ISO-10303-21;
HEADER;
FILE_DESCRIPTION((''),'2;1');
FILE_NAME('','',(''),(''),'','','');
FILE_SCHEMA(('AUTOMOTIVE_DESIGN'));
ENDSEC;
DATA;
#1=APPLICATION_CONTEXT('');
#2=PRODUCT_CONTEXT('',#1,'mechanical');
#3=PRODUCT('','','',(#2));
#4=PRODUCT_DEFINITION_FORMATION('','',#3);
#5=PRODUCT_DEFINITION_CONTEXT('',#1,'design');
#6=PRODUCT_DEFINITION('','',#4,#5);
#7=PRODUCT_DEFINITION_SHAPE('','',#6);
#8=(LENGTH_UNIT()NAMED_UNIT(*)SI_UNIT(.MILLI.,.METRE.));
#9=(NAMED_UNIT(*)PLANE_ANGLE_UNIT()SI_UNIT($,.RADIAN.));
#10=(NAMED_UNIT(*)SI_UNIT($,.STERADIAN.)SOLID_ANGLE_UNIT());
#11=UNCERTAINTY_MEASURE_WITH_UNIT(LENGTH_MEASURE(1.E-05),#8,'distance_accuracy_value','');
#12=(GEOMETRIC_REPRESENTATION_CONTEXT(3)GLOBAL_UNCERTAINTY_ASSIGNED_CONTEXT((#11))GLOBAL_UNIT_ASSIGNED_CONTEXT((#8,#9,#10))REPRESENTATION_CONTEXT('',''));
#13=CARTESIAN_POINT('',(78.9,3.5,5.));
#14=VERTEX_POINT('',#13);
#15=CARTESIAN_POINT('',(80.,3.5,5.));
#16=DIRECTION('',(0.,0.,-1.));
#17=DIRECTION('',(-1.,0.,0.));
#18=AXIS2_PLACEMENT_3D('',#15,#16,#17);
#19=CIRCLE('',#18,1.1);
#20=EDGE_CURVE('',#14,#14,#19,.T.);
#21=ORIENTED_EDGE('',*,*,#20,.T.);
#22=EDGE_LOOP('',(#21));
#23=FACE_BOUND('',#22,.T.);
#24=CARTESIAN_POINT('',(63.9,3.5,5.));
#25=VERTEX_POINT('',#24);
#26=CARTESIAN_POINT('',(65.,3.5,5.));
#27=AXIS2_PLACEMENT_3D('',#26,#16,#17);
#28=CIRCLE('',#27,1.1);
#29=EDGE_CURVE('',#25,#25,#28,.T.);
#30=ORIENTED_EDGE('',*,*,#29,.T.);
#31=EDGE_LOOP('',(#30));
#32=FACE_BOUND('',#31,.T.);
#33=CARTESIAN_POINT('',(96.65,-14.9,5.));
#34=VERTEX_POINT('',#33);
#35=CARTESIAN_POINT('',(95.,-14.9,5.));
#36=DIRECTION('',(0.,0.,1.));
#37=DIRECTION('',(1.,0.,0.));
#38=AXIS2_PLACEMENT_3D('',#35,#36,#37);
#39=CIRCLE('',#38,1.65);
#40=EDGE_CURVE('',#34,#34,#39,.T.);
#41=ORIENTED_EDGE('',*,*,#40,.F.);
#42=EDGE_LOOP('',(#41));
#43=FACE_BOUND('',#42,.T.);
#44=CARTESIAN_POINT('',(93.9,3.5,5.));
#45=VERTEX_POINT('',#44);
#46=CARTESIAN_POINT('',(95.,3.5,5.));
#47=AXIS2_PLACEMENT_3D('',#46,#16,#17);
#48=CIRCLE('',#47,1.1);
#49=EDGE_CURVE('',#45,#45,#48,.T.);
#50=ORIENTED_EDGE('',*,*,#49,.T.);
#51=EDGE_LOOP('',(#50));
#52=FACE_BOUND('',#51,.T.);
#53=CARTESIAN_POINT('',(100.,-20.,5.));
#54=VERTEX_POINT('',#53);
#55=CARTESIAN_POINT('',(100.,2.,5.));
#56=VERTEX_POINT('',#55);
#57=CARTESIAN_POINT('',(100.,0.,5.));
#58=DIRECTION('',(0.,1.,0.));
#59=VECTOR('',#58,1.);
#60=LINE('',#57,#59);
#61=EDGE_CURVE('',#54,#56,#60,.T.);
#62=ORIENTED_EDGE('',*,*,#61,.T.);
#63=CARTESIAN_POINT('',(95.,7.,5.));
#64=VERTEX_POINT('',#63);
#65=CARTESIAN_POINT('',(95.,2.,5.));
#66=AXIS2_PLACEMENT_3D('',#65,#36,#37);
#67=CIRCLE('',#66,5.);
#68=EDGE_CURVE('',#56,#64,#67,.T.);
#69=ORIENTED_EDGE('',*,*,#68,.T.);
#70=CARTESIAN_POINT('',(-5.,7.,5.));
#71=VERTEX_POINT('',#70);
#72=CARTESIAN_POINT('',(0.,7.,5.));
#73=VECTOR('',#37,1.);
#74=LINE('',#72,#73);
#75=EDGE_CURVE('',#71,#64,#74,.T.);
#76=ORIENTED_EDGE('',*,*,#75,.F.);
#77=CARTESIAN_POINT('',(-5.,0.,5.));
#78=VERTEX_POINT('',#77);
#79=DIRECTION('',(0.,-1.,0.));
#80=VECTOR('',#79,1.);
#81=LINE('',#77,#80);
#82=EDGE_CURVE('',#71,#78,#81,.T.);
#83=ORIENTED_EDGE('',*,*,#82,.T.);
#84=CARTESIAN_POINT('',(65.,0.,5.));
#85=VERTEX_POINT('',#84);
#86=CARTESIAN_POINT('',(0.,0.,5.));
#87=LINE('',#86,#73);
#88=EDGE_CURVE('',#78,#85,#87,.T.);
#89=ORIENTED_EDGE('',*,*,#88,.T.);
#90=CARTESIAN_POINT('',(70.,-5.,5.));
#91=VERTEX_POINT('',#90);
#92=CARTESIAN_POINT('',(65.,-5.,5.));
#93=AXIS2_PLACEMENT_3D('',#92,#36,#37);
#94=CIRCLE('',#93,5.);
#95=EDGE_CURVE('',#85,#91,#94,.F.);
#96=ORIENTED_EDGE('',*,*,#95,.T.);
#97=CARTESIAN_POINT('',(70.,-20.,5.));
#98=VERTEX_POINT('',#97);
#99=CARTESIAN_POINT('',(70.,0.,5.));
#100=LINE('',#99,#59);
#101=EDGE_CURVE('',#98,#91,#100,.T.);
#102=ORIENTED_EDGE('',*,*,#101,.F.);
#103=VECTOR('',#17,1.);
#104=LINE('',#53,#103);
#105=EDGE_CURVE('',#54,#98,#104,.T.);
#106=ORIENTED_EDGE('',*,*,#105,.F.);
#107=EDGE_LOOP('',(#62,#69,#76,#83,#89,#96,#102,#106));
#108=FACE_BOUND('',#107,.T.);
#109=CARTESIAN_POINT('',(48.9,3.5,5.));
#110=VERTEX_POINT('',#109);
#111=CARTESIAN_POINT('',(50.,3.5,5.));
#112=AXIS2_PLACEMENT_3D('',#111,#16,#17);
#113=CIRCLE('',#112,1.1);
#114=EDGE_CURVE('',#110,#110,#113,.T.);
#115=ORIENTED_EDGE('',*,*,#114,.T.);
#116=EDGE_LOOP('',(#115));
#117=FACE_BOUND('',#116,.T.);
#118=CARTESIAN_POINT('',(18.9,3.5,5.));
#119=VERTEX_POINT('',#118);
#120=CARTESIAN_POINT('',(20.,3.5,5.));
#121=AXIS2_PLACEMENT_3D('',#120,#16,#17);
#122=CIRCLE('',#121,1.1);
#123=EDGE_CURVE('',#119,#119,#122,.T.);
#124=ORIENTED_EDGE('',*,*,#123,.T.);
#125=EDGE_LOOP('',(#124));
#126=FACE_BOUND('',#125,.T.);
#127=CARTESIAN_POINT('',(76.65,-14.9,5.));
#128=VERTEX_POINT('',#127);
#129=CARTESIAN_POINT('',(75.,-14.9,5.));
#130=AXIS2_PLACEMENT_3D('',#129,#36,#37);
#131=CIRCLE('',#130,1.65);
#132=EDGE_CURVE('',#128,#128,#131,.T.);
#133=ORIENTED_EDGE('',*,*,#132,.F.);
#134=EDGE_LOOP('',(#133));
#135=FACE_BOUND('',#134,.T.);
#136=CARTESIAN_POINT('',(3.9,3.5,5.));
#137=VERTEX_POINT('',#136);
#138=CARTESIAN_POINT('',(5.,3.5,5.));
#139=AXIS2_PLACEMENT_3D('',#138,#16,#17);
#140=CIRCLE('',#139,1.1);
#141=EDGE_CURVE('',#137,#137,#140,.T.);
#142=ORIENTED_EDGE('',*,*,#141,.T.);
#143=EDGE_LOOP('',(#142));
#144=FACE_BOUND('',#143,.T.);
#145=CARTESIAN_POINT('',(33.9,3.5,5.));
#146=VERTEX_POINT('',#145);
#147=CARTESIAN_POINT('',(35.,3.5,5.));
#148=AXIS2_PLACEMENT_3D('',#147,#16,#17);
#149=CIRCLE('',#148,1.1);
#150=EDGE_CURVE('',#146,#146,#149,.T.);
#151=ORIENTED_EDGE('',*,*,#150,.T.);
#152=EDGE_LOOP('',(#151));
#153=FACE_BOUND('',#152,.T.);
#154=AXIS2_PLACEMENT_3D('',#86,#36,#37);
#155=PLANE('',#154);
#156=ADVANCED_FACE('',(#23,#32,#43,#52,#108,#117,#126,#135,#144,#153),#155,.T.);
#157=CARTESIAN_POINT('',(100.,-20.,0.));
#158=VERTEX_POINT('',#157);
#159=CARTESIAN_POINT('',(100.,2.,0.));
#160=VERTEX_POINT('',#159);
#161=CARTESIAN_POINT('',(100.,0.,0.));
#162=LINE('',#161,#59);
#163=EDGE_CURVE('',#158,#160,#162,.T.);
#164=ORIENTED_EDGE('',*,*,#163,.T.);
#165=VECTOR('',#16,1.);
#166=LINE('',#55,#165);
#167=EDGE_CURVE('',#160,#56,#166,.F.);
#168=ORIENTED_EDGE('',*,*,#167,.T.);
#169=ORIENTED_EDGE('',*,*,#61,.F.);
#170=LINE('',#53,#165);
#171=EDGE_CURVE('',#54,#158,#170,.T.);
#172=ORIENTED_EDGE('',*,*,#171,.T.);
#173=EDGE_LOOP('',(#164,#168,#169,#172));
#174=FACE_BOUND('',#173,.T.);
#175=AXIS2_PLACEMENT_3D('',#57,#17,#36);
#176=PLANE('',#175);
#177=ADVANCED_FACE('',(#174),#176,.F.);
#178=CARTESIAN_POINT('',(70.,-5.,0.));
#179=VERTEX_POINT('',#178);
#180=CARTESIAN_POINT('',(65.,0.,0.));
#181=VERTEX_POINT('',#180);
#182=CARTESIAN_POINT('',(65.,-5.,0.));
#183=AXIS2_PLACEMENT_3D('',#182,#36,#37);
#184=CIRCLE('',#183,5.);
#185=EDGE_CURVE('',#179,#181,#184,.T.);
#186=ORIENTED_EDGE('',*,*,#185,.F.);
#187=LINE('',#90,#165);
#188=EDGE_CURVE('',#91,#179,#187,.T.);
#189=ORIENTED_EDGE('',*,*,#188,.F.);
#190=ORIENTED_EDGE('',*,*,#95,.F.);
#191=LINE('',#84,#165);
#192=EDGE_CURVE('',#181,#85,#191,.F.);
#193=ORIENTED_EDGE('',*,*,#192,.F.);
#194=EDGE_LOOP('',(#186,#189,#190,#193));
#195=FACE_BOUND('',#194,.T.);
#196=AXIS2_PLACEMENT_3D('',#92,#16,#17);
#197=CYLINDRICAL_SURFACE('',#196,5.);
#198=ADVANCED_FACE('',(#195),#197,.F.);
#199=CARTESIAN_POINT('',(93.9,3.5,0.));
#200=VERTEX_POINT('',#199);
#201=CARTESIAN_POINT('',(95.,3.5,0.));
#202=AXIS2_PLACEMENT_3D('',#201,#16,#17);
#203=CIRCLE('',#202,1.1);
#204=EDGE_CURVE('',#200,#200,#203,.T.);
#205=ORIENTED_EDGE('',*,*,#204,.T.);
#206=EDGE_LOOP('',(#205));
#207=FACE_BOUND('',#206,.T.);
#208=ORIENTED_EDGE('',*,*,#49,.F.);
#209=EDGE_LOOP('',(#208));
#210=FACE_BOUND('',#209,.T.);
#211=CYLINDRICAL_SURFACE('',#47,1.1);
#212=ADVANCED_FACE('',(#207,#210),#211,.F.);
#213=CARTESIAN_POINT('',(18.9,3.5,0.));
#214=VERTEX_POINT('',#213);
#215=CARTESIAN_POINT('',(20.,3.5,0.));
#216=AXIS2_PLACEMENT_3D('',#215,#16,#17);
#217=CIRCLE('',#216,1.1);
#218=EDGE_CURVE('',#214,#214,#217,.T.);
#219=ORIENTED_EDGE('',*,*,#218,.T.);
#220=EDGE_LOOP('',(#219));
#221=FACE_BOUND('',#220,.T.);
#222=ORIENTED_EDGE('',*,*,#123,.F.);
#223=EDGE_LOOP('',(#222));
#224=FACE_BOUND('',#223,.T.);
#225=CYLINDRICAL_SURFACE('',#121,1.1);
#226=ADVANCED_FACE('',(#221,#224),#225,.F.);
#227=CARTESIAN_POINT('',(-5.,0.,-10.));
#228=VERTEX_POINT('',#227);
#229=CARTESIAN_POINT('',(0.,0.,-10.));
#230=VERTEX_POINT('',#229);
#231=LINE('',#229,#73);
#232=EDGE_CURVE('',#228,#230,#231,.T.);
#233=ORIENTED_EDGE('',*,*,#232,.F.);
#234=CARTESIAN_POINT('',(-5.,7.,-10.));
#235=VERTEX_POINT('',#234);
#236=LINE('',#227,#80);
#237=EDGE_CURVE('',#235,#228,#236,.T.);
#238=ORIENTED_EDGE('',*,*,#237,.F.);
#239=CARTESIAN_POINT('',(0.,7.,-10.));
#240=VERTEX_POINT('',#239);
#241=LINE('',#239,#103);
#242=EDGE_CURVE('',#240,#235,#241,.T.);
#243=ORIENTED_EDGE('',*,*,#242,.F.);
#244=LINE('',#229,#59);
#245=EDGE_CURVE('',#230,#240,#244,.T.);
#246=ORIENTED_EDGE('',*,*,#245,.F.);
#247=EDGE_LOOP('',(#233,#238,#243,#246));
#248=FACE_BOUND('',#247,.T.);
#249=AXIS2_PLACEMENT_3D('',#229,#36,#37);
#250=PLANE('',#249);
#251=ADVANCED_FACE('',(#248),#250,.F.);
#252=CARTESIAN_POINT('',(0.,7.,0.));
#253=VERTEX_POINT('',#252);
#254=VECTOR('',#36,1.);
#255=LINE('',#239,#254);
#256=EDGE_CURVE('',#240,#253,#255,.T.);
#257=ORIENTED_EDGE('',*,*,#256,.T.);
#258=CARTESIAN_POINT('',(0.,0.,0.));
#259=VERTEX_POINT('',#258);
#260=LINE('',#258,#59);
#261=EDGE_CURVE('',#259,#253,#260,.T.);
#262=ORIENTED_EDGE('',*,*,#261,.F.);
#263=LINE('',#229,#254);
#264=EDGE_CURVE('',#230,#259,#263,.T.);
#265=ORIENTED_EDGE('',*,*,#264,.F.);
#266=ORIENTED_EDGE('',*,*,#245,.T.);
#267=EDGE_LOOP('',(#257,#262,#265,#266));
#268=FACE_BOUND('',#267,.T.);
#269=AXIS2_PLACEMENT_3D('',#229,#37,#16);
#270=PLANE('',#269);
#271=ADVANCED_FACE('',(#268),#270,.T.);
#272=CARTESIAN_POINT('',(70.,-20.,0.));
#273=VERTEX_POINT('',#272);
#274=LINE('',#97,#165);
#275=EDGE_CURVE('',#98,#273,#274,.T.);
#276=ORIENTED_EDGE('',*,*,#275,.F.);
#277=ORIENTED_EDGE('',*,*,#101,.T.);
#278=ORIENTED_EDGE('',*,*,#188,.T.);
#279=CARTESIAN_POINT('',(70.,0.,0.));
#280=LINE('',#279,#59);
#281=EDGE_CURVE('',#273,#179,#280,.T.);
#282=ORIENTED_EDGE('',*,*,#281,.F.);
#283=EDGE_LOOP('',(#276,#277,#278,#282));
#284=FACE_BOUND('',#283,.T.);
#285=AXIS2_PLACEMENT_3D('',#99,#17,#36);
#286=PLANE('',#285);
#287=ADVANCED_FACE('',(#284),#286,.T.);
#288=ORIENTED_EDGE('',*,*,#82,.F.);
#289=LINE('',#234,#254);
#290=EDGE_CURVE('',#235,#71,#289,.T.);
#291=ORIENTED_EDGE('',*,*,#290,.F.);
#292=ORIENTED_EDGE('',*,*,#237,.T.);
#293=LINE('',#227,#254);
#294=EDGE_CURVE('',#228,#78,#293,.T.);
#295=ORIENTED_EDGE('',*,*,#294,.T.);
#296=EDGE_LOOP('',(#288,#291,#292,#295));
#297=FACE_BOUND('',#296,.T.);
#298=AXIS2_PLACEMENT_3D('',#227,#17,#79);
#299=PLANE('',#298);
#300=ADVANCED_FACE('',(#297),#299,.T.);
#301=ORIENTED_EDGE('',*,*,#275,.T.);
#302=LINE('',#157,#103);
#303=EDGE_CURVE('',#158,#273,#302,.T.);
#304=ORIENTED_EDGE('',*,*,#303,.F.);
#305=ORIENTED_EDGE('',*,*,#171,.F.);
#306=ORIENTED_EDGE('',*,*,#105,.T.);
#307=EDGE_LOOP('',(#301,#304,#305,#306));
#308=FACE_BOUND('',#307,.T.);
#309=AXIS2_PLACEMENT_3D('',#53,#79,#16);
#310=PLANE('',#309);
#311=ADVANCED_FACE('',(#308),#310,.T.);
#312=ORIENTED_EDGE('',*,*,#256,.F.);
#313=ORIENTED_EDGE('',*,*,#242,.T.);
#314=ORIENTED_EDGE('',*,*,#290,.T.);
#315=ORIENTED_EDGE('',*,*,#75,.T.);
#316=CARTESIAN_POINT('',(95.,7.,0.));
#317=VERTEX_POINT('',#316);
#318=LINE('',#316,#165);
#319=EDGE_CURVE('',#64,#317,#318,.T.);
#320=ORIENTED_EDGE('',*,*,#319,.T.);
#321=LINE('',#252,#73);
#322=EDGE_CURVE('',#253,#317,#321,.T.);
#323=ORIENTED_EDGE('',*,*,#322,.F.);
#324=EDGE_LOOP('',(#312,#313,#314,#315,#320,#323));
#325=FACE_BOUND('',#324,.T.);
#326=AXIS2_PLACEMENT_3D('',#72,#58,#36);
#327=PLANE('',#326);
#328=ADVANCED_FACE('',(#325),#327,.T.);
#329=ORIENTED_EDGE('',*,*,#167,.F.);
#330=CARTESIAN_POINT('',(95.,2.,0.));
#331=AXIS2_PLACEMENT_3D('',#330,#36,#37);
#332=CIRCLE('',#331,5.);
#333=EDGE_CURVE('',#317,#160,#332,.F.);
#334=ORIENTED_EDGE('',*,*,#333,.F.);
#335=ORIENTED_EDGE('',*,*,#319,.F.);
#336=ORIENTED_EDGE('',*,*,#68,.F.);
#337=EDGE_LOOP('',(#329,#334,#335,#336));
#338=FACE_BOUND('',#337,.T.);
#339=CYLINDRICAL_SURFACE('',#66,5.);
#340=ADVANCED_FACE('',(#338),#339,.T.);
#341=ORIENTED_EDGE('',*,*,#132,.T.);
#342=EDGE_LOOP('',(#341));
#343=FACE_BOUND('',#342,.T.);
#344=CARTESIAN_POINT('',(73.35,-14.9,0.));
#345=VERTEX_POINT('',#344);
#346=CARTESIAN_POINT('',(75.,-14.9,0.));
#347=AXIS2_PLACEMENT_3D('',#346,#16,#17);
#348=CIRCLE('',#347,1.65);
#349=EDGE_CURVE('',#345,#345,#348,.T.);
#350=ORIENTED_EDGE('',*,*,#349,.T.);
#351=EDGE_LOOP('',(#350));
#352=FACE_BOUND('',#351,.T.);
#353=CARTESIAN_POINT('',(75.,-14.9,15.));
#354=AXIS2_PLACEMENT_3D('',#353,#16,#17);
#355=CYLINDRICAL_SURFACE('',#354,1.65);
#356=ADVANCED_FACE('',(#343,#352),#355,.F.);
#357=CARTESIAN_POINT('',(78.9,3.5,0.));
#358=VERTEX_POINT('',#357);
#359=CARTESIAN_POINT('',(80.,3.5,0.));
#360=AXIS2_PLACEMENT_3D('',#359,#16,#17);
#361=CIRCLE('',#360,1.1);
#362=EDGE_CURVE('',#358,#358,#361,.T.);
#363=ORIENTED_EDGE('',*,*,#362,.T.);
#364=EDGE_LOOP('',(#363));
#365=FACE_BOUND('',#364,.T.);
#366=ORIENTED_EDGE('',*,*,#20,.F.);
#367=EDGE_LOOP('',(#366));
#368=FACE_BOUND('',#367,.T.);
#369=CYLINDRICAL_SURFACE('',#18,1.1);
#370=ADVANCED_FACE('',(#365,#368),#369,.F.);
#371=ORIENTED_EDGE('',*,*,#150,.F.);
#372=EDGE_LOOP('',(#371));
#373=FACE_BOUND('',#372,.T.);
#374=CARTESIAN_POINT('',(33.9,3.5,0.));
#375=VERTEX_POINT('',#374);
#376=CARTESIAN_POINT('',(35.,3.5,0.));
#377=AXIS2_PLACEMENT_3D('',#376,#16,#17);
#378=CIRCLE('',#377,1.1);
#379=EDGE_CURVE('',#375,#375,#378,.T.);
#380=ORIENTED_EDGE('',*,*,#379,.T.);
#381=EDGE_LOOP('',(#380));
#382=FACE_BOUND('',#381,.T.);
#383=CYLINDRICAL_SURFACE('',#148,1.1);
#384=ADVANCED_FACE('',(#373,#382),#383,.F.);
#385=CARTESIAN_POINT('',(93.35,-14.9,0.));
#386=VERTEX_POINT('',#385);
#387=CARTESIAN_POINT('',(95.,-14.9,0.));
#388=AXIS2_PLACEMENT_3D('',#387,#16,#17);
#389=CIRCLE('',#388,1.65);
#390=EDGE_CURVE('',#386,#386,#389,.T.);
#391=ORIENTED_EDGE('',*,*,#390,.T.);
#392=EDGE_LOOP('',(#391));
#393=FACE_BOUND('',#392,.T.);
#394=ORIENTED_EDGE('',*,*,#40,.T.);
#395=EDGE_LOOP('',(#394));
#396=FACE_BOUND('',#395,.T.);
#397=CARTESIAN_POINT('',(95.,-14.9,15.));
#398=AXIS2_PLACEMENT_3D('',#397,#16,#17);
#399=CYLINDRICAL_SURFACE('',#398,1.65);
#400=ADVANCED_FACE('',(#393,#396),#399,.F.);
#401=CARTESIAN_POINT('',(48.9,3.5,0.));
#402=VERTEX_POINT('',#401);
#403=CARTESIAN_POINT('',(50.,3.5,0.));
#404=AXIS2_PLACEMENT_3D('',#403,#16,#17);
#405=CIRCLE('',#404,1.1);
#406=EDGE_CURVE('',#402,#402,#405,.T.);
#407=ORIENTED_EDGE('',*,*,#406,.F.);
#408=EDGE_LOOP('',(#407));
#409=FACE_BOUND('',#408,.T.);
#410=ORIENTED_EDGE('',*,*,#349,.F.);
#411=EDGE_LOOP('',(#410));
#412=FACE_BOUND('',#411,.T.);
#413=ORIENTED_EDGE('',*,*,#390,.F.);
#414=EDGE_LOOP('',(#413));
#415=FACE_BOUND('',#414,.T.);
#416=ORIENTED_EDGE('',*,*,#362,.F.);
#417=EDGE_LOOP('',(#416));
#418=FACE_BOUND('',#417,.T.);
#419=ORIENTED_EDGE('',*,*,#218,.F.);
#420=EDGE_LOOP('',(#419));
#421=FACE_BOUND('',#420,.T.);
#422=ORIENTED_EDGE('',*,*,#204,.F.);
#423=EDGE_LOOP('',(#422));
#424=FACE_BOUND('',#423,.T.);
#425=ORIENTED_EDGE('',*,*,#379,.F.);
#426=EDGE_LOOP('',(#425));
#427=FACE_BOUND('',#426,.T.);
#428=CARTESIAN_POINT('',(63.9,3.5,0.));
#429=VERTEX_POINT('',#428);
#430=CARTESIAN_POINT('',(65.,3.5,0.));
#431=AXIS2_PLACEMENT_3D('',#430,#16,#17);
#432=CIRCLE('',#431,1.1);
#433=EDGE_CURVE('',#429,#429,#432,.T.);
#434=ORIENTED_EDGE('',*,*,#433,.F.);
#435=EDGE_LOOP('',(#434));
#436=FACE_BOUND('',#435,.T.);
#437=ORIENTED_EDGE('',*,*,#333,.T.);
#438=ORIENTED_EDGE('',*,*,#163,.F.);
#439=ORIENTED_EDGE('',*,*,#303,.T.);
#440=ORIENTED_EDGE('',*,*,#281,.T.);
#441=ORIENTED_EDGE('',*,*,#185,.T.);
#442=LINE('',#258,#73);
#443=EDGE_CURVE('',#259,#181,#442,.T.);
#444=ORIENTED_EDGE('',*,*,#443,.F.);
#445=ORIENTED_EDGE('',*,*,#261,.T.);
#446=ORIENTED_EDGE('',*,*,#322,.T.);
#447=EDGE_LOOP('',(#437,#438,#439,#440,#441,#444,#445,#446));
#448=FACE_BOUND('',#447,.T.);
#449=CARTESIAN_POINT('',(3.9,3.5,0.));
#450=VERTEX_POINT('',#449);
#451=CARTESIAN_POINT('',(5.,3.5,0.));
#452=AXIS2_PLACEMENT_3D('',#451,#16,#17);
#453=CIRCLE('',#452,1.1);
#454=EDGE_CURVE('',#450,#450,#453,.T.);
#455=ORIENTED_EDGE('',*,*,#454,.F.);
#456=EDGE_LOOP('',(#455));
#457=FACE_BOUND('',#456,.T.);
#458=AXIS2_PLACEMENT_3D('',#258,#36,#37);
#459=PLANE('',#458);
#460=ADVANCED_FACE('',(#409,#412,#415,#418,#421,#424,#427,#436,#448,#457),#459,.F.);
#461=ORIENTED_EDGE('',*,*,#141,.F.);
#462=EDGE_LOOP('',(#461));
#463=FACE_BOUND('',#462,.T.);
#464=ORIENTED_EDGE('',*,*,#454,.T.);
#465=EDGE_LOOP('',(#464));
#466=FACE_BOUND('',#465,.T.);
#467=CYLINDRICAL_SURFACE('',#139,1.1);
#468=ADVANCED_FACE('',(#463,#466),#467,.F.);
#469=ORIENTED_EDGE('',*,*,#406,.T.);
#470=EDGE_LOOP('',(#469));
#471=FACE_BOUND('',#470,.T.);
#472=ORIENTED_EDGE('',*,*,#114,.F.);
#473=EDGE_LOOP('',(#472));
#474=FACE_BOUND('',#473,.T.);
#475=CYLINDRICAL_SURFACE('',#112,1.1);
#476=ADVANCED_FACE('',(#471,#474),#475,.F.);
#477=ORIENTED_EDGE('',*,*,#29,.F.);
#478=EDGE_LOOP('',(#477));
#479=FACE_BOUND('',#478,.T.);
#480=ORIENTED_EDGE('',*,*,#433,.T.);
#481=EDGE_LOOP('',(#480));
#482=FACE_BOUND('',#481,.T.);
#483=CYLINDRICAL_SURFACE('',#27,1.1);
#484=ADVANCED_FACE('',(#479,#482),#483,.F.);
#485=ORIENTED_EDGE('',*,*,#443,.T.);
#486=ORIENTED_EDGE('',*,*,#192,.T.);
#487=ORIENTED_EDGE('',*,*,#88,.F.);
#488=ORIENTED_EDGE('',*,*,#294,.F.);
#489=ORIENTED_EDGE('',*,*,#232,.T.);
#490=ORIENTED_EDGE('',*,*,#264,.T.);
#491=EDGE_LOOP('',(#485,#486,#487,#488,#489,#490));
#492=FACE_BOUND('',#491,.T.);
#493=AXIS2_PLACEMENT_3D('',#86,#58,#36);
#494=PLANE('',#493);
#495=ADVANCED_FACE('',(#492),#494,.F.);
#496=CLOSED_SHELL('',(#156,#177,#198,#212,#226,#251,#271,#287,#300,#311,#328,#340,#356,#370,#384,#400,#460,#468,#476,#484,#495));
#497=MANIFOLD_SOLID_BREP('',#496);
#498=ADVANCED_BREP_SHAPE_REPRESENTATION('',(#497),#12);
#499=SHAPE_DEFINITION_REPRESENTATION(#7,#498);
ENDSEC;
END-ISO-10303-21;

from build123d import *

# Parameters (mm, degrees)
SKETCH_1_W          = 100
SKETCH_1_H          = 7
EXTRUDE_1_DEPTH     = 5
SKETCH_2_R          = 1.1
CUT_EXTRUDE_1_DEPTH = 101.369318021
SKETCH_3_W          = 30
SKETCH_3_H          = 20
EXTRUDE_2_DEPTH     = 5
SKETCH_4_W          = 5
SKETCH_4_H          = 7
EXTRUDE_3_DEPTH     = 15
SKETCH_5_R          = 1.65
CUT_EXTRUDE_2_DEPTH = 15
FILLET_1_R          = 5


with BuildPart() as part:
    # 草图1 → 凸台-拉伸1 (new body)
    with BuildSketch(Plane.XY):
        with Locations((50, 3.5)):
            Rectangle(SKETCH_1_W, SKETCH_1_H)
    extrude(amount=EXTRUDE_1_DEPTH)

    # 草图2 → 切除-拉伸1 (cut, through all)
    with BuildSketch(Plane(origin=(0, 0, 0), x_dir=(-1, 0, 0), z_dir=(0, 0, -1))):
        with Locations((-95, 3.5)):
            Circle(SKETCH_2_R)
        with Locations((-80, 3.5)):
            Circle(SKETCH_2_R)
        with Locations((-65, 3.5)):
            Circle(SKETCH_2_R)
        with Locations((-50, 3.5)):
            Circle(SKETCH_2_R)
        with Locations((-35, 3.5)):
            Circle(SKETCH_2_R)
        with Locations((-20, 3.5)):
            Circle(SKETCH_2_R)
        with Locations((-5, 3.5)):
            Circle(SKETCH_2_R)
    extrude(amount=-CUT_EXTRUDE_1_DEPTH, mode=Mode.SUBTRACT)

    # 草图3 → 凸台-拉伸2 (add)
    with BuildSketch(Plane(origin=(0, 0, 0), x_dir=(-1, 0, 0), z_dir=(0, 0, -1))):
        with Locations((-85, -10)):
            Rectangle(SKETCH_3_W, SKETCH_3_H)
    extrude(amount=-EXTRUDE_2_DEPTH)

    # 草图4 → 凸台-拉伸3 (add)
    with BuildSketch(Plane.XY.offset(5)):
        with Locations((-2.5, 3.5)):
            Rectangle(SKETCH_4_W, SKETCH_4_H)
    extrude(amount=-EXTRUDE_3_DEPTH)

    # 草图5 → 切除-拉伸2 (cut)
    with BuildSketch(Plane(origin=(0, 0, 0), x_dir=(-1, 0, 0), z_dir=(0, 0, -1))):
        with Locations((-95, -14.9)):
            Circle(SKETCH_5_R)
        with Locations((-75, -14.9)):
            Circle(SKETCH_5_R)
    extrude(amount=-CUT_EXTRUDE_2_DEPTH, mode=Mode.SUBTRACT)

    # 圆角1
    fillet_1_edges = [part.edges().sort_by_distance(p)[0] for p in [
        (70, 0, 2.5),
        (100, 7, 2.5),
    ]]
    fillet(fillet_1_edges, radius=FILLET_1_R)


solid = part.part
